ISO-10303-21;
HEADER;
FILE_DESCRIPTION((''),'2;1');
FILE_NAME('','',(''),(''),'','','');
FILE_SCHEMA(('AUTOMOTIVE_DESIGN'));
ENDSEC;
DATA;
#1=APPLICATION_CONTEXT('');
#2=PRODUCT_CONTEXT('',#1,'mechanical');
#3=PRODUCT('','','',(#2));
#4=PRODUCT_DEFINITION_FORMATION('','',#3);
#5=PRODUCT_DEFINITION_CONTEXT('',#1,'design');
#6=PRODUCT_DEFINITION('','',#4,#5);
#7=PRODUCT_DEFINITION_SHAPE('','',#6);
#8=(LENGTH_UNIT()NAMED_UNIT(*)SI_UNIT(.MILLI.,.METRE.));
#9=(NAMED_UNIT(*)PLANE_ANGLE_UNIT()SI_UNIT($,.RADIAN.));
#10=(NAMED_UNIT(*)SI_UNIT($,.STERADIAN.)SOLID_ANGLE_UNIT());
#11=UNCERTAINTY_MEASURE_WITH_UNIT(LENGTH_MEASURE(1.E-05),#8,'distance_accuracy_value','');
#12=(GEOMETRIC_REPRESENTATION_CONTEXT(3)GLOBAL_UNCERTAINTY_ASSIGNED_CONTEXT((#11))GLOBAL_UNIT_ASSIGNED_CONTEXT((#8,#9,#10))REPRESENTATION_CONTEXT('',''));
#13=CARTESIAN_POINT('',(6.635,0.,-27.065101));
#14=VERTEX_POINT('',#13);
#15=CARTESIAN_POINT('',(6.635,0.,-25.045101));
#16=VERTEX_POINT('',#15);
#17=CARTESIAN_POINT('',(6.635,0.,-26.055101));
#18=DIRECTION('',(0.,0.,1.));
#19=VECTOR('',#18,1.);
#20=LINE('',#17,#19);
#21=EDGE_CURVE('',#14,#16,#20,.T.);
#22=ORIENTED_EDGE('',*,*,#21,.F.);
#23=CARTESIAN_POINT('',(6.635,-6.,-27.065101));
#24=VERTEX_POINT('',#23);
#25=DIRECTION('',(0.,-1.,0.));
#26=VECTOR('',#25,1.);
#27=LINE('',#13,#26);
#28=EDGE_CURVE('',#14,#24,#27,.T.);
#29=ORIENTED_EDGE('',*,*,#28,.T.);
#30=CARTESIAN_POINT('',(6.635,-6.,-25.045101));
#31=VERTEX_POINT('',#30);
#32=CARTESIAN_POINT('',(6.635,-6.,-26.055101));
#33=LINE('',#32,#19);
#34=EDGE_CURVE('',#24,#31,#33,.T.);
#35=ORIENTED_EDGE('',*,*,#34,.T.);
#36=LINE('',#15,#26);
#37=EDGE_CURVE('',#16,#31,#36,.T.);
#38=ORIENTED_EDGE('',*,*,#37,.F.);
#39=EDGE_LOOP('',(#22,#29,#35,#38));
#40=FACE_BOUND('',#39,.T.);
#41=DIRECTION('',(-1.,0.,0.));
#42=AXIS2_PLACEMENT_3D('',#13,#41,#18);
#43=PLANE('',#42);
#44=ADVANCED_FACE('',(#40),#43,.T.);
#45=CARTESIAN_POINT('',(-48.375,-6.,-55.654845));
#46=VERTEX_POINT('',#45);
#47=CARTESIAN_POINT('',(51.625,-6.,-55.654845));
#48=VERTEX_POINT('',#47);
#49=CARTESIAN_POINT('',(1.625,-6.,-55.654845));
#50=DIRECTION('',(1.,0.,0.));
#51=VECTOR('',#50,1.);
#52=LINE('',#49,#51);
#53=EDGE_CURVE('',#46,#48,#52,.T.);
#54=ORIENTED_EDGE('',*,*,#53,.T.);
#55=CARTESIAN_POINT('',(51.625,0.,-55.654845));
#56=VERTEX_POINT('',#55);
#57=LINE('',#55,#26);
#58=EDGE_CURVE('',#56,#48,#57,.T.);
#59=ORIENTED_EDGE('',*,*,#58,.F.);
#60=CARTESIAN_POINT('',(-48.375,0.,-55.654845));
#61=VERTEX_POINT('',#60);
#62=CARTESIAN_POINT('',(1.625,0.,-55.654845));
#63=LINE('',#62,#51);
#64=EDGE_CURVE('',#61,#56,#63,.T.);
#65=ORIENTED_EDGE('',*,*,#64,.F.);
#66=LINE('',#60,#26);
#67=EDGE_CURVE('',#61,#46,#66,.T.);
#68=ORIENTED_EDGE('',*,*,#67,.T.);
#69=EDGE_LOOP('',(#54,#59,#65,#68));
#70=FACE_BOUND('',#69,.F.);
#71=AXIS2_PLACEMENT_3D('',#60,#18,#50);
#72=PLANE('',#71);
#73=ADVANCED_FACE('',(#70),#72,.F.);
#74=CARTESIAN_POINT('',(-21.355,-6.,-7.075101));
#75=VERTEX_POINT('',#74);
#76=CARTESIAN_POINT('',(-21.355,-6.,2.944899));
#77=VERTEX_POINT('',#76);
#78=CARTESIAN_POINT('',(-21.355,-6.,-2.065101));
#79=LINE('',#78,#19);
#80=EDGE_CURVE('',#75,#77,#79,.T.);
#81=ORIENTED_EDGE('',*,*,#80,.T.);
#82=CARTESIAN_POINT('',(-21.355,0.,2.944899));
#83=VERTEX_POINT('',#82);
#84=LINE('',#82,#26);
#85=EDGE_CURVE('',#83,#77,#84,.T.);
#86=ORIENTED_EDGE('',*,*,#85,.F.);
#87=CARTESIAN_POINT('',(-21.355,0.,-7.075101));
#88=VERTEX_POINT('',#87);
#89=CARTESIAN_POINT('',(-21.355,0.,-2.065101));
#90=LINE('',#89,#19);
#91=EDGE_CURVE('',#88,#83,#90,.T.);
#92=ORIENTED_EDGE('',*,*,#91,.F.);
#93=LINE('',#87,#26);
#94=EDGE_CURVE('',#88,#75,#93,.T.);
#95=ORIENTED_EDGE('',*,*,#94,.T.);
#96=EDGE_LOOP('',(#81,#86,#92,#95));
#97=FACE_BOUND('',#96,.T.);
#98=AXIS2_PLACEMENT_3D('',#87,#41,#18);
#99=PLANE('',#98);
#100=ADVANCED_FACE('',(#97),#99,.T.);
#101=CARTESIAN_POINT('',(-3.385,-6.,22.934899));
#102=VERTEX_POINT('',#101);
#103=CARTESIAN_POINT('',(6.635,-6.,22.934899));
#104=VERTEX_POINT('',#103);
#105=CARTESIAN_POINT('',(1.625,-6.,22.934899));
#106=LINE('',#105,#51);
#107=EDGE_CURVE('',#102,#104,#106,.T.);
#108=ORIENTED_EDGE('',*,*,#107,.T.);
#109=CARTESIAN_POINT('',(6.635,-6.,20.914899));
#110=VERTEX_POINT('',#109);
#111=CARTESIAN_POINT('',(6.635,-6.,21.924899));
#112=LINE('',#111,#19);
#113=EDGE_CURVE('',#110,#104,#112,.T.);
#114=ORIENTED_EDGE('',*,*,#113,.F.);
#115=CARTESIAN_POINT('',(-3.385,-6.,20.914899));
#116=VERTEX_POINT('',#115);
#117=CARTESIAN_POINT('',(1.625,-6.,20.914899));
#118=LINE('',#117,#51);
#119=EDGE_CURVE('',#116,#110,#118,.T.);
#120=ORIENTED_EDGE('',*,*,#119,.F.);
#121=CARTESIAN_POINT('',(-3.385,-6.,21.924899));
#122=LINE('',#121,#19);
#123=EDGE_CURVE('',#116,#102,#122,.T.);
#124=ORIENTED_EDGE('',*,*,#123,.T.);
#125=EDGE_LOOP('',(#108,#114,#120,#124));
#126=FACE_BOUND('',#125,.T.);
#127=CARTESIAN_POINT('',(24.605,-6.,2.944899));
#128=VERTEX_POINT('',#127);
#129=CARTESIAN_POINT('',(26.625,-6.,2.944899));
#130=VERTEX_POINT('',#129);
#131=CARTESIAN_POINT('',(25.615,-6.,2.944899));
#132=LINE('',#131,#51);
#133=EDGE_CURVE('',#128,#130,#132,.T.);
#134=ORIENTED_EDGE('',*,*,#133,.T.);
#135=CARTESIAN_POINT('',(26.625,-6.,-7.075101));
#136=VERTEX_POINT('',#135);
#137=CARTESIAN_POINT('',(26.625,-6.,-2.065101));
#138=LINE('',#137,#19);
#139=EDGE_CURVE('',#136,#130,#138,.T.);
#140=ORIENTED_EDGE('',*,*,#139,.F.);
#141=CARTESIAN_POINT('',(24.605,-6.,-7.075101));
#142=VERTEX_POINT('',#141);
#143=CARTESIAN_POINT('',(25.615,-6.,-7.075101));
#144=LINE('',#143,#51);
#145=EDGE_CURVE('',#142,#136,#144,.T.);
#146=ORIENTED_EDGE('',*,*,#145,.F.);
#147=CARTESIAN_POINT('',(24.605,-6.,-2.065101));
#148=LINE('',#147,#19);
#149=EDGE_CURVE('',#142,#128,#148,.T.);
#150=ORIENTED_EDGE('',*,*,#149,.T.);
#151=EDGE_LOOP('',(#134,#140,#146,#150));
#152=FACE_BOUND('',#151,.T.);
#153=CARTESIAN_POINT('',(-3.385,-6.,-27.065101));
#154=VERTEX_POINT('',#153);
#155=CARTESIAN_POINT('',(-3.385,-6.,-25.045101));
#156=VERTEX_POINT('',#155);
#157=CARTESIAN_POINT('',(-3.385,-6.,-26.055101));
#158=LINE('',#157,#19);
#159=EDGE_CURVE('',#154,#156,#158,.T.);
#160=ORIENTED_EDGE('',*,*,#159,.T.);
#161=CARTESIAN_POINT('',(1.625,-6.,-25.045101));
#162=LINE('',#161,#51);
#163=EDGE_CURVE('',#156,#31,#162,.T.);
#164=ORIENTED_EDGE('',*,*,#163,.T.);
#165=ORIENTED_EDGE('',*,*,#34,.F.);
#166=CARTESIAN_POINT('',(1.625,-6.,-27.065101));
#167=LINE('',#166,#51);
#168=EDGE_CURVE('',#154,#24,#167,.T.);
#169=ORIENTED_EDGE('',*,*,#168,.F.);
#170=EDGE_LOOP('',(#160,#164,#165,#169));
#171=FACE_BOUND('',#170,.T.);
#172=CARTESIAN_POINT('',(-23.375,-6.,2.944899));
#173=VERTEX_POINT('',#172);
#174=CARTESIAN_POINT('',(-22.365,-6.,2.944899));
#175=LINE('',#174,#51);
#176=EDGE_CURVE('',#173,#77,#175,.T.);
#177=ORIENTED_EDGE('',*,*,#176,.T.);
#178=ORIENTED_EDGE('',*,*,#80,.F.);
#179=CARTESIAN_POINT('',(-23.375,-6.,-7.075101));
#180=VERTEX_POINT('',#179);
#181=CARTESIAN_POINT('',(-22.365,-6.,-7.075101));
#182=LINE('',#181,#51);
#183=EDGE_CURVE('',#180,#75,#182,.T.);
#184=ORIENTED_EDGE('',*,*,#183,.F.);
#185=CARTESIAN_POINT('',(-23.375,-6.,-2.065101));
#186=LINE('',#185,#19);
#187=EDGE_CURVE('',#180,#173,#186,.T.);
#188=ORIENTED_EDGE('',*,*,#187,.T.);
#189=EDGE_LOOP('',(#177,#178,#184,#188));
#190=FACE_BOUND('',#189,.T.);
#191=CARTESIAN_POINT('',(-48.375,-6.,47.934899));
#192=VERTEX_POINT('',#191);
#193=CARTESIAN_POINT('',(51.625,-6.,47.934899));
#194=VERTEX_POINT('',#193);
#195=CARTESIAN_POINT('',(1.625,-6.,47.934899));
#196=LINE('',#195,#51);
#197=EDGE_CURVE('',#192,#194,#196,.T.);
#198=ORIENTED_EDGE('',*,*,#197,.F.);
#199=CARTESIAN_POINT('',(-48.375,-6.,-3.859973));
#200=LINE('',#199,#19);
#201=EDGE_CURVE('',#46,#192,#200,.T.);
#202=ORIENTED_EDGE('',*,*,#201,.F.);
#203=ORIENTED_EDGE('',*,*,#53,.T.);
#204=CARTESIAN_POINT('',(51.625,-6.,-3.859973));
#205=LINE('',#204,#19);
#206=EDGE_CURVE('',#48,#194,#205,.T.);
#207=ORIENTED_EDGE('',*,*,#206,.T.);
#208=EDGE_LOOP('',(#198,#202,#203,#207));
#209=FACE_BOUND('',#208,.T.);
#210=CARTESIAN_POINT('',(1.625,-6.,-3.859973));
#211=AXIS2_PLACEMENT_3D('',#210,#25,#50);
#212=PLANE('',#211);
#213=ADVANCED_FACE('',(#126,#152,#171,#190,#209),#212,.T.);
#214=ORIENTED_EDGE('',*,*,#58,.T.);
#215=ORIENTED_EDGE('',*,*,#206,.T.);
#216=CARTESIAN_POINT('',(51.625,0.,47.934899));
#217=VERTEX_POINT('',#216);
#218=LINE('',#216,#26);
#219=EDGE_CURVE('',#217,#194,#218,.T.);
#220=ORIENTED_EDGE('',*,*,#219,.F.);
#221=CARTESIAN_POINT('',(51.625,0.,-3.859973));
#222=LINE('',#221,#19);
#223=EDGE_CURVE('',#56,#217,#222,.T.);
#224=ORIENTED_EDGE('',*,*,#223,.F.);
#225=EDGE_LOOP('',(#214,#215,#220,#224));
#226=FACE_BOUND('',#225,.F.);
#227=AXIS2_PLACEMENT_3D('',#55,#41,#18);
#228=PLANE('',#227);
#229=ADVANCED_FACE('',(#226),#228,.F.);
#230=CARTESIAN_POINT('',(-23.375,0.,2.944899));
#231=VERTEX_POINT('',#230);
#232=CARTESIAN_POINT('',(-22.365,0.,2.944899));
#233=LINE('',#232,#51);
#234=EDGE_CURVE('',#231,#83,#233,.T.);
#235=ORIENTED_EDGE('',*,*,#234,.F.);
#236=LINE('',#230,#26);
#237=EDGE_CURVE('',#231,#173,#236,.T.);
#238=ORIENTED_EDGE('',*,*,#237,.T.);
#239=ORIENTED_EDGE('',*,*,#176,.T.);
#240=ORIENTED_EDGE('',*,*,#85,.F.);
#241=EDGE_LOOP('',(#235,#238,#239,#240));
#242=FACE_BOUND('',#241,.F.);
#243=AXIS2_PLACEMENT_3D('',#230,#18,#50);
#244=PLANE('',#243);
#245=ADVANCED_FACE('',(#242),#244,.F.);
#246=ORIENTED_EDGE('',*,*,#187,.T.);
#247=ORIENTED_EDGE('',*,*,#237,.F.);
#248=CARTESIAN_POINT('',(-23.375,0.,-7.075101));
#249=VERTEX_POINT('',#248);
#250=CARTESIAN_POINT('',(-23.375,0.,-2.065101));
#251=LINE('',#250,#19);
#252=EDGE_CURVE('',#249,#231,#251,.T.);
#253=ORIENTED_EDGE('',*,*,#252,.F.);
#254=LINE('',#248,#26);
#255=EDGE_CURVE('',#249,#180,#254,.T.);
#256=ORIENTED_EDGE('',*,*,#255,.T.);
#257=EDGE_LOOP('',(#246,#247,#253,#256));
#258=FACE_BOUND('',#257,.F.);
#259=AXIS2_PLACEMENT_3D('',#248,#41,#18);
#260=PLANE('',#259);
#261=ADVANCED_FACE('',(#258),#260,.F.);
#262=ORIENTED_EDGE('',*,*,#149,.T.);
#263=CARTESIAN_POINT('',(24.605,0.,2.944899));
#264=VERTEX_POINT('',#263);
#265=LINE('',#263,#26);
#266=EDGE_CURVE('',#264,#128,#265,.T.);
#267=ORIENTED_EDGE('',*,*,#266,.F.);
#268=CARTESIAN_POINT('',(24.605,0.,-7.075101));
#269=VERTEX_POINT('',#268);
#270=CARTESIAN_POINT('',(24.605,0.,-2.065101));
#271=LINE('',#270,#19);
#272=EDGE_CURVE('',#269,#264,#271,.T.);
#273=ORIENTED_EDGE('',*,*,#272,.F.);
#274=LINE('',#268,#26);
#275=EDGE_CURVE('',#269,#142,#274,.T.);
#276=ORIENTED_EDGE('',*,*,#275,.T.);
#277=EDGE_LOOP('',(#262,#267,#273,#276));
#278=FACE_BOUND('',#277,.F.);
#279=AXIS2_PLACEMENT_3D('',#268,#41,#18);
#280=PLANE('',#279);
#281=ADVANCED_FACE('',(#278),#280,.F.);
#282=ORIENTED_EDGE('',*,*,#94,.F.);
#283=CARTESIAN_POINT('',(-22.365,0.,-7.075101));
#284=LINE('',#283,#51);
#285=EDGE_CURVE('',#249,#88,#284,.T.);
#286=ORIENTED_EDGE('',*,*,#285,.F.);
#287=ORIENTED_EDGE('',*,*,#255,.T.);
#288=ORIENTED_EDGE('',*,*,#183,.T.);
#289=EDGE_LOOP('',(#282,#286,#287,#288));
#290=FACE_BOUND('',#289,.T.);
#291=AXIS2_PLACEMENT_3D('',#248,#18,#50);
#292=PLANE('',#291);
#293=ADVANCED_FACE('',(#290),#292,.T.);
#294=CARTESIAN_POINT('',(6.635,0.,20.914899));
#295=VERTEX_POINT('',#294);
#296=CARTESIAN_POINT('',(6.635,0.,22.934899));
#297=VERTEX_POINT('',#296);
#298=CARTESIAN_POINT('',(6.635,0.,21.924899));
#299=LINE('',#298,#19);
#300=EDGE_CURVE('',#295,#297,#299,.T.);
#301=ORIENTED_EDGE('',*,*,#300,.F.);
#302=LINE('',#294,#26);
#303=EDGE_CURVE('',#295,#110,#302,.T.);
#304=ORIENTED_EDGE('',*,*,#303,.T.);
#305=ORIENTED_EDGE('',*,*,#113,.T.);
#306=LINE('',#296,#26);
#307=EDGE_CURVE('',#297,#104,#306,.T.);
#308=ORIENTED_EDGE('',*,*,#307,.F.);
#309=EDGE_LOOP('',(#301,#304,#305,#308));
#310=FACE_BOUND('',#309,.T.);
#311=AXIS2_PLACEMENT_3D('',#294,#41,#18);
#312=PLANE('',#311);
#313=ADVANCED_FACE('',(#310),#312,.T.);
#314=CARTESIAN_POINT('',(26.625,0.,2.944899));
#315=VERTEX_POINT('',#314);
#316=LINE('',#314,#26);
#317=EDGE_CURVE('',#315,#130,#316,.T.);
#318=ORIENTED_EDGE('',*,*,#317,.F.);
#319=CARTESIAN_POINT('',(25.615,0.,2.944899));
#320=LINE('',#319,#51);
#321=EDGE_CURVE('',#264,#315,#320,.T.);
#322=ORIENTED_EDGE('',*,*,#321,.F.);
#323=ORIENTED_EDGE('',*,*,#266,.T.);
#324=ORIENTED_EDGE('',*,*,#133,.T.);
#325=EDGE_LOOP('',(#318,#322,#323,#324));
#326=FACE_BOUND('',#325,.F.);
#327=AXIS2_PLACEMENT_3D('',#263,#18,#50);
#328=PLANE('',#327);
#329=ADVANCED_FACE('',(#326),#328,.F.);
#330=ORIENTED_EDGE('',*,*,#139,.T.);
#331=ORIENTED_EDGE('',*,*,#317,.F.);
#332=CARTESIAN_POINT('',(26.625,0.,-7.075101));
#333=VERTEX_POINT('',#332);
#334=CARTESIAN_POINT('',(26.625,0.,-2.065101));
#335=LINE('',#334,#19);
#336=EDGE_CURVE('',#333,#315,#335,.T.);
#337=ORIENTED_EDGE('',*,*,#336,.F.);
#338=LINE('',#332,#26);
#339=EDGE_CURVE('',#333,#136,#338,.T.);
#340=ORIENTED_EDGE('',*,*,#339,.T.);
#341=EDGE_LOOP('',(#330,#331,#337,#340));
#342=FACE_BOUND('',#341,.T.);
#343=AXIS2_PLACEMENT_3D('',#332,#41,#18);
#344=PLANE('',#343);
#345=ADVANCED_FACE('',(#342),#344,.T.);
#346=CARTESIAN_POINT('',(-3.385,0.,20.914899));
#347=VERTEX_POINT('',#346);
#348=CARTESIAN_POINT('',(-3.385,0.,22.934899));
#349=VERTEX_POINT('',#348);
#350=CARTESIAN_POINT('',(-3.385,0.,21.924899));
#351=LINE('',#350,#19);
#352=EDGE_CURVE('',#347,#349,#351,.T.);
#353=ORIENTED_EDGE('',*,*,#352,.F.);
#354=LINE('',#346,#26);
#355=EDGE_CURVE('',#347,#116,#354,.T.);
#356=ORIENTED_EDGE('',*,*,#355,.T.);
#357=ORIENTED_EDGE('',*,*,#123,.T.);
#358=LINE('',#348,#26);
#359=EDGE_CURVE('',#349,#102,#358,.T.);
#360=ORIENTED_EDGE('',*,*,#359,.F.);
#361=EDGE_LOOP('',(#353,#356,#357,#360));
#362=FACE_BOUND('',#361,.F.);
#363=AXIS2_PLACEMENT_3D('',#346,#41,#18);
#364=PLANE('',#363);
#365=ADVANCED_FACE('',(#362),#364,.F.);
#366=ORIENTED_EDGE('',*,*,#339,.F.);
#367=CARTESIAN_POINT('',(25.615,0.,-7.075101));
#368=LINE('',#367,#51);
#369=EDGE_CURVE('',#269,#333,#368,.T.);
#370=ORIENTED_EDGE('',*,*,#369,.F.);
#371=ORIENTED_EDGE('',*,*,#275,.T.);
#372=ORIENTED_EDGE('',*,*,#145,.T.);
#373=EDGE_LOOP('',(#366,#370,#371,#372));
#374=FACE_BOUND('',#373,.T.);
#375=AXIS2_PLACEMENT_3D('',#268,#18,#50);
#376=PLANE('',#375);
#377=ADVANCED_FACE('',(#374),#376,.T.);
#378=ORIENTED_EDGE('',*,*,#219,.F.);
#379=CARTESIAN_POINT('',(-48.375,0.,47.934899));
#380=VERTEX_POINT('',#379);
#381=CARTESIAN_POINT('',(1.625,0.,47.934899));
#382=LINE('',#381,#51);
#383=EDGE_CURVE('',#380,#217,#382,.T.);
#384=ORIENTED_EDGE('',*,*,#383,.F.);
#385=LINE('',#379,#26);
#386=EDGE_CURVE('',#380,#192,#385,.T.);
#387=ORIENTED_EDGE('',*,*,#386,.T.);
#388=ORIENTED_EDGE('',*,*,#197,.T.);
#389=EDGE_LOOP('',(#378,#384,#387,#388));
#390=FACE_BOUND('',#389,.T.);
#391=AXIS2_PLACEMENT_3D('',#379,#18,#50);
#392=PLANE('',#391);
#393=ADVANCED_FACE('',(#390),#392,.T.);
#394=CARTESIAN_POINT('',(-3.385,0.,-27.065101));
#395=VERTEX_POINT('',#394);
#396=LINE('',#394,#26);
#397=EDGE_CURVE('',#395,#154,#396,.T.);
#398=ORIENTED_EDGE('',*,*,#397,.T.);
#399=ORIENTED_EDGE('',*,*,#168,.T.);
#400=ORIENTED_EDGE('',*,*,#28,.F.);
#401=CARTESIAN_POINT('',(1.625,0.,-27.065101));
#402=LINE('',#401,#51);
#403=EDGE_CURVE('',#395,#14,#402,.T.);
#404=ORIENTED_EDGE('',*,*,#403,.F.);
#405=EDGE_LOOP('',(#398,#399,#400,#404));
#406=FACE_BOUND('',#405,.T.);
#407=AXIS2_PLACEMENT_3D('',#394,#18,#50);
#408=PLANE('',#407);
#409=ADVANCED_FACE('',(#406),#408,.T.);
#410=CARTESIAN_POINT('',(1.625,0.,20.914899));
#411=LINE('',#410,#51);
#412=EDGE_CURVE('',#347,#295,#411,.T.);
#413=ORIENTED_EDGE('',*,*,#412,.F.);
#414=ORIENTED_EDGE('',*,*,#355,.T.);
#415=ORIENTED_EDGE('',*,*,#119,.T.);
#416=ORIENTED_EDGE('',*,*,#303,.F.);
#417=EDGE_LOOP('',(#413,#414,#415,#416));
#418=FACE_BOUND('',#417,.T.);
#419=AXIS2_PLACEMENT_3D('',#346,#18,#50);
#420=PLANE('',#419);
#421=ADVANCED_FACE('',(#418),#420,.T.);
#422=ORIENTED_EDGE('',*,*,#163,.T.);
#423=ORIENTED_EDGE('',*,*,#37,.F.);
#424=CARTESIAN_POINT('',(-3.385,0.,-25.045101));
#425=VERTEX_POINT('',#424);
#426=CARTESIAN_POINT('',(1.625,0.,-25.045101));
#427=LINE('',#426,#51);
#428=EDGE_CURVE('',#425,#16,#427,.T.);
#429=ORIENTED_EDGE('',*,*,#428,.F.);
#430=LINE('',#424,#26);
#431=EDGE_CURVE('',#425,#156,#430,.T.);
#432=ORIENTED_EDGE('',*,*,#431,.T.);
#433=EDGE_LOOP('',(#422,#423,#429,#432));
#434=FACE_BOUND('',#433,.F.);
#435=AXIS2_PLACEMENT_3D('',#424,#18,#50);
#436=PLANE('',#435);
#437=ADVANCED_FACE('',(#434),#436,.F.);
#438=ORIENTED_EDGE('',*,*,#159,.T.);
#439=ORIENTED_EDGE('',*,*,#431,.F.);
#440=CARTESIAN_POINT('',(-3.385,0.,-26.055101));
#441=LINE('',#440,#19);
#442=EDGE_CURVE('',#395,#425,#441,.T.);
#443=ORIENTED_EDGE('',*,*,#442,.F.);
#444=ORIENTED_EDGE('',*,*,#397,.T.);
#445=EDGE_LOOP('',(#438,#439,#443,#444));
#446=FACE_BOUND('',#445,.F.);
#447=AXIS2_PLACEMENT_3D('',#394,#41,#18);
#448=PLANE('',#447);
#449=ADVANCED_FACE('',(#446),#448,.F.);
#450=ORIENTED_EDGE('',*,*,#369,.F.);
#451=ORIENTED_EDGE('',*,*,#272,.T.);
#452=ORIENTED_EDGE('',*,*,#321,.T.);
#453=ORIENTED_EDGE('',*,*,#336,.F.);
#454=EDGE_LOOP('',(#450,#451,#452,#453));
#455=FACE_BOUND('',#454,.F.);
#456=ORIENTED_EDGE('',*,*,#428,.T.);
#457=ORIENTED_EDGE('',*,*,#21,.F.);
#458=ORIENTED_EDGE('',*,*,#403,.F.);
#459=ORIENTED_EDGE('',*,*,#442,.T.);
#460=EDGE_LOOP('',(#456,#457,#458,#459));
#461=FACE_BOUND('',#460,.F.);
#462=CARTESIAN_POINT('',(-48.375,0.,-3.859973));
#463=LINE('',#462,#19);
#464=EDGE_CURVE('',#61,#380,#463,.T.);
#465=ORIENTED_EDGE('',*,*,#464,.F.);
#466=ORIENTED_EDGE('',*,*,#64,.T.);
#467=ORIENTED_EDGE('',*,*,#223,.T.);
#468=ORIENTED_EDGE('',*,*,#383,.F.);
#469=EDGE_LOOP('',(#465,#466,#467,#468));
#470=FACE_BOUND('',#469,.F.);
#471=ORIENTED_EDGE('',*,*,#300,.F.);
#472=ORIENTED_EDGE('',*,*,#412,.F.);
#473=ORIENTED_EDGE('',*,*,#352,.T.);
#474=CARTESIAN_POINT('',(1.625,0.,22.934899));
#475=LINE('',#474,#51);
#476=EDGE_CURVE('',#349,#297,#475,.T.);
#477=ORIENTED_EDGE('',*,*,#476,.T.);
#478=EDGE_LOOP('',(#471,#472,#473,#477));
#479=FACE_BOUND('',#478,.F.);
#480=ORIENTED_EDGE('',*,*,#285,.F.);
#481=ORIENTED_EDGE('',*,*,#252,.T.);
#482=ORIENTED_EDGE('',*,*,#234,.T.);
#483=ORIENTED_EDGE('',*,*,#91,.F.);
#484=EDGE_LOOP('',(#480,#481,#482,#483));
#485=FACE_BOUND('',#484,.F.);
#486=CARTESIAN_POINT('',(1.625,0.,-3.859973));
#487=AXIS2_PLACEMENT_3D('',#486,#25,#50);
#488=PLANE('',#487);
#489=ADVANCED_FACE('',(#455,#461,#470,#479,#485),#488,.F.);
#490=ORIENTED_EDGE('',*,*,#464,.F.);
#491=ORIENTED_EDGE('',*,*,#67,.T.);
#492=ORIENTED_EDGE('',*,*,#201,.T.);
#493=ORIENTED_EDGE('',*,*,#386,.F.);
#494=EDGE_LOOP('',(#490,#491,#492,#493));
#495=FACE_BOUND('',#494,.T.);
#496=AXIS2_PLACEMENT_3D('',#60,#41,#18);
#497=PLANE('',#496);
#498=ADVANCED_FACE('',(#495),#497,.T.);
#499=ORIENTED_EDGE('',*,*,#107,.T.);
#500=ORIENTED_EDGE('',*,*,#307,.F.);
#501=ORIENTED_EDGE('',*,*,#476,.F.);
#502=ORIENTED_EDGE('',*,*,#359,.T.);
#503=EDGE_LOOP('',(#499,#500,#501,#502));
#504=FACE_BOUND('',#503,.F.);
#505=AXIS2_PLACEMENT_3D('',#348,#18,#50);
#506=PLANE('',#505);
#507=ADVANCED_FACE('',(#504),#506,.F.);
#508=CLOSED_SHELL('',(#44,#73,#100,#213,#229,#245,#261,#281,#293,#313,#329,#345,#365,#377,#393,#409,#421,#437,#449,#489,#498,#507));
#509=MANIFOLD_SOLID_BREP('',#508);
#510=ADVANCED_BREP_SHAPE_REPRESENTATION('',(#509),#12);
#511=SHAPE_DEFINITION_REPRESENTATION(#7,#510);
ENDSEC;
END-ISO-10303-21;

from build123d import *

# Parameters (mm, degrees)
F0_W     = 100
F0_H     = 103.589743
F0_W_2   = 10.02
F0_H_2   = 2.02
F0_W_3   = 2.02
F0_H_3   = 10.02
F1_DEPTH = 6


with BuildPart() as f1:
    # F0 (on Front) → F1 (new body)
    with BuildSketch(Plane.XZ):
        with Locations((1.625, -3.859973)):
            Rectangle(F0_W, F0_H)
        with Locations((1.625, -26.055101)):
            Rectangle(F0_W_2, F0_H_2, mode=Mode.SUBTRACT)
        with Locations((-22.365, -2.065101)):
            Rectangle(F0_W_3, F0_H_3, mode=Mode.SUBTRACT)
        with Locations((25.615, -2.065101)):
            Rectangle(F0_W_3, F0_H_3, mode=Mode.SUBTRACT)
        with Locations((1.625, 21.924899)):
            Rectangle(F0_W_2, F0_H_2, mode=Mode.SUBTRACT)
    extrude(amount=F1_DEPTH)


solid = f1.part
